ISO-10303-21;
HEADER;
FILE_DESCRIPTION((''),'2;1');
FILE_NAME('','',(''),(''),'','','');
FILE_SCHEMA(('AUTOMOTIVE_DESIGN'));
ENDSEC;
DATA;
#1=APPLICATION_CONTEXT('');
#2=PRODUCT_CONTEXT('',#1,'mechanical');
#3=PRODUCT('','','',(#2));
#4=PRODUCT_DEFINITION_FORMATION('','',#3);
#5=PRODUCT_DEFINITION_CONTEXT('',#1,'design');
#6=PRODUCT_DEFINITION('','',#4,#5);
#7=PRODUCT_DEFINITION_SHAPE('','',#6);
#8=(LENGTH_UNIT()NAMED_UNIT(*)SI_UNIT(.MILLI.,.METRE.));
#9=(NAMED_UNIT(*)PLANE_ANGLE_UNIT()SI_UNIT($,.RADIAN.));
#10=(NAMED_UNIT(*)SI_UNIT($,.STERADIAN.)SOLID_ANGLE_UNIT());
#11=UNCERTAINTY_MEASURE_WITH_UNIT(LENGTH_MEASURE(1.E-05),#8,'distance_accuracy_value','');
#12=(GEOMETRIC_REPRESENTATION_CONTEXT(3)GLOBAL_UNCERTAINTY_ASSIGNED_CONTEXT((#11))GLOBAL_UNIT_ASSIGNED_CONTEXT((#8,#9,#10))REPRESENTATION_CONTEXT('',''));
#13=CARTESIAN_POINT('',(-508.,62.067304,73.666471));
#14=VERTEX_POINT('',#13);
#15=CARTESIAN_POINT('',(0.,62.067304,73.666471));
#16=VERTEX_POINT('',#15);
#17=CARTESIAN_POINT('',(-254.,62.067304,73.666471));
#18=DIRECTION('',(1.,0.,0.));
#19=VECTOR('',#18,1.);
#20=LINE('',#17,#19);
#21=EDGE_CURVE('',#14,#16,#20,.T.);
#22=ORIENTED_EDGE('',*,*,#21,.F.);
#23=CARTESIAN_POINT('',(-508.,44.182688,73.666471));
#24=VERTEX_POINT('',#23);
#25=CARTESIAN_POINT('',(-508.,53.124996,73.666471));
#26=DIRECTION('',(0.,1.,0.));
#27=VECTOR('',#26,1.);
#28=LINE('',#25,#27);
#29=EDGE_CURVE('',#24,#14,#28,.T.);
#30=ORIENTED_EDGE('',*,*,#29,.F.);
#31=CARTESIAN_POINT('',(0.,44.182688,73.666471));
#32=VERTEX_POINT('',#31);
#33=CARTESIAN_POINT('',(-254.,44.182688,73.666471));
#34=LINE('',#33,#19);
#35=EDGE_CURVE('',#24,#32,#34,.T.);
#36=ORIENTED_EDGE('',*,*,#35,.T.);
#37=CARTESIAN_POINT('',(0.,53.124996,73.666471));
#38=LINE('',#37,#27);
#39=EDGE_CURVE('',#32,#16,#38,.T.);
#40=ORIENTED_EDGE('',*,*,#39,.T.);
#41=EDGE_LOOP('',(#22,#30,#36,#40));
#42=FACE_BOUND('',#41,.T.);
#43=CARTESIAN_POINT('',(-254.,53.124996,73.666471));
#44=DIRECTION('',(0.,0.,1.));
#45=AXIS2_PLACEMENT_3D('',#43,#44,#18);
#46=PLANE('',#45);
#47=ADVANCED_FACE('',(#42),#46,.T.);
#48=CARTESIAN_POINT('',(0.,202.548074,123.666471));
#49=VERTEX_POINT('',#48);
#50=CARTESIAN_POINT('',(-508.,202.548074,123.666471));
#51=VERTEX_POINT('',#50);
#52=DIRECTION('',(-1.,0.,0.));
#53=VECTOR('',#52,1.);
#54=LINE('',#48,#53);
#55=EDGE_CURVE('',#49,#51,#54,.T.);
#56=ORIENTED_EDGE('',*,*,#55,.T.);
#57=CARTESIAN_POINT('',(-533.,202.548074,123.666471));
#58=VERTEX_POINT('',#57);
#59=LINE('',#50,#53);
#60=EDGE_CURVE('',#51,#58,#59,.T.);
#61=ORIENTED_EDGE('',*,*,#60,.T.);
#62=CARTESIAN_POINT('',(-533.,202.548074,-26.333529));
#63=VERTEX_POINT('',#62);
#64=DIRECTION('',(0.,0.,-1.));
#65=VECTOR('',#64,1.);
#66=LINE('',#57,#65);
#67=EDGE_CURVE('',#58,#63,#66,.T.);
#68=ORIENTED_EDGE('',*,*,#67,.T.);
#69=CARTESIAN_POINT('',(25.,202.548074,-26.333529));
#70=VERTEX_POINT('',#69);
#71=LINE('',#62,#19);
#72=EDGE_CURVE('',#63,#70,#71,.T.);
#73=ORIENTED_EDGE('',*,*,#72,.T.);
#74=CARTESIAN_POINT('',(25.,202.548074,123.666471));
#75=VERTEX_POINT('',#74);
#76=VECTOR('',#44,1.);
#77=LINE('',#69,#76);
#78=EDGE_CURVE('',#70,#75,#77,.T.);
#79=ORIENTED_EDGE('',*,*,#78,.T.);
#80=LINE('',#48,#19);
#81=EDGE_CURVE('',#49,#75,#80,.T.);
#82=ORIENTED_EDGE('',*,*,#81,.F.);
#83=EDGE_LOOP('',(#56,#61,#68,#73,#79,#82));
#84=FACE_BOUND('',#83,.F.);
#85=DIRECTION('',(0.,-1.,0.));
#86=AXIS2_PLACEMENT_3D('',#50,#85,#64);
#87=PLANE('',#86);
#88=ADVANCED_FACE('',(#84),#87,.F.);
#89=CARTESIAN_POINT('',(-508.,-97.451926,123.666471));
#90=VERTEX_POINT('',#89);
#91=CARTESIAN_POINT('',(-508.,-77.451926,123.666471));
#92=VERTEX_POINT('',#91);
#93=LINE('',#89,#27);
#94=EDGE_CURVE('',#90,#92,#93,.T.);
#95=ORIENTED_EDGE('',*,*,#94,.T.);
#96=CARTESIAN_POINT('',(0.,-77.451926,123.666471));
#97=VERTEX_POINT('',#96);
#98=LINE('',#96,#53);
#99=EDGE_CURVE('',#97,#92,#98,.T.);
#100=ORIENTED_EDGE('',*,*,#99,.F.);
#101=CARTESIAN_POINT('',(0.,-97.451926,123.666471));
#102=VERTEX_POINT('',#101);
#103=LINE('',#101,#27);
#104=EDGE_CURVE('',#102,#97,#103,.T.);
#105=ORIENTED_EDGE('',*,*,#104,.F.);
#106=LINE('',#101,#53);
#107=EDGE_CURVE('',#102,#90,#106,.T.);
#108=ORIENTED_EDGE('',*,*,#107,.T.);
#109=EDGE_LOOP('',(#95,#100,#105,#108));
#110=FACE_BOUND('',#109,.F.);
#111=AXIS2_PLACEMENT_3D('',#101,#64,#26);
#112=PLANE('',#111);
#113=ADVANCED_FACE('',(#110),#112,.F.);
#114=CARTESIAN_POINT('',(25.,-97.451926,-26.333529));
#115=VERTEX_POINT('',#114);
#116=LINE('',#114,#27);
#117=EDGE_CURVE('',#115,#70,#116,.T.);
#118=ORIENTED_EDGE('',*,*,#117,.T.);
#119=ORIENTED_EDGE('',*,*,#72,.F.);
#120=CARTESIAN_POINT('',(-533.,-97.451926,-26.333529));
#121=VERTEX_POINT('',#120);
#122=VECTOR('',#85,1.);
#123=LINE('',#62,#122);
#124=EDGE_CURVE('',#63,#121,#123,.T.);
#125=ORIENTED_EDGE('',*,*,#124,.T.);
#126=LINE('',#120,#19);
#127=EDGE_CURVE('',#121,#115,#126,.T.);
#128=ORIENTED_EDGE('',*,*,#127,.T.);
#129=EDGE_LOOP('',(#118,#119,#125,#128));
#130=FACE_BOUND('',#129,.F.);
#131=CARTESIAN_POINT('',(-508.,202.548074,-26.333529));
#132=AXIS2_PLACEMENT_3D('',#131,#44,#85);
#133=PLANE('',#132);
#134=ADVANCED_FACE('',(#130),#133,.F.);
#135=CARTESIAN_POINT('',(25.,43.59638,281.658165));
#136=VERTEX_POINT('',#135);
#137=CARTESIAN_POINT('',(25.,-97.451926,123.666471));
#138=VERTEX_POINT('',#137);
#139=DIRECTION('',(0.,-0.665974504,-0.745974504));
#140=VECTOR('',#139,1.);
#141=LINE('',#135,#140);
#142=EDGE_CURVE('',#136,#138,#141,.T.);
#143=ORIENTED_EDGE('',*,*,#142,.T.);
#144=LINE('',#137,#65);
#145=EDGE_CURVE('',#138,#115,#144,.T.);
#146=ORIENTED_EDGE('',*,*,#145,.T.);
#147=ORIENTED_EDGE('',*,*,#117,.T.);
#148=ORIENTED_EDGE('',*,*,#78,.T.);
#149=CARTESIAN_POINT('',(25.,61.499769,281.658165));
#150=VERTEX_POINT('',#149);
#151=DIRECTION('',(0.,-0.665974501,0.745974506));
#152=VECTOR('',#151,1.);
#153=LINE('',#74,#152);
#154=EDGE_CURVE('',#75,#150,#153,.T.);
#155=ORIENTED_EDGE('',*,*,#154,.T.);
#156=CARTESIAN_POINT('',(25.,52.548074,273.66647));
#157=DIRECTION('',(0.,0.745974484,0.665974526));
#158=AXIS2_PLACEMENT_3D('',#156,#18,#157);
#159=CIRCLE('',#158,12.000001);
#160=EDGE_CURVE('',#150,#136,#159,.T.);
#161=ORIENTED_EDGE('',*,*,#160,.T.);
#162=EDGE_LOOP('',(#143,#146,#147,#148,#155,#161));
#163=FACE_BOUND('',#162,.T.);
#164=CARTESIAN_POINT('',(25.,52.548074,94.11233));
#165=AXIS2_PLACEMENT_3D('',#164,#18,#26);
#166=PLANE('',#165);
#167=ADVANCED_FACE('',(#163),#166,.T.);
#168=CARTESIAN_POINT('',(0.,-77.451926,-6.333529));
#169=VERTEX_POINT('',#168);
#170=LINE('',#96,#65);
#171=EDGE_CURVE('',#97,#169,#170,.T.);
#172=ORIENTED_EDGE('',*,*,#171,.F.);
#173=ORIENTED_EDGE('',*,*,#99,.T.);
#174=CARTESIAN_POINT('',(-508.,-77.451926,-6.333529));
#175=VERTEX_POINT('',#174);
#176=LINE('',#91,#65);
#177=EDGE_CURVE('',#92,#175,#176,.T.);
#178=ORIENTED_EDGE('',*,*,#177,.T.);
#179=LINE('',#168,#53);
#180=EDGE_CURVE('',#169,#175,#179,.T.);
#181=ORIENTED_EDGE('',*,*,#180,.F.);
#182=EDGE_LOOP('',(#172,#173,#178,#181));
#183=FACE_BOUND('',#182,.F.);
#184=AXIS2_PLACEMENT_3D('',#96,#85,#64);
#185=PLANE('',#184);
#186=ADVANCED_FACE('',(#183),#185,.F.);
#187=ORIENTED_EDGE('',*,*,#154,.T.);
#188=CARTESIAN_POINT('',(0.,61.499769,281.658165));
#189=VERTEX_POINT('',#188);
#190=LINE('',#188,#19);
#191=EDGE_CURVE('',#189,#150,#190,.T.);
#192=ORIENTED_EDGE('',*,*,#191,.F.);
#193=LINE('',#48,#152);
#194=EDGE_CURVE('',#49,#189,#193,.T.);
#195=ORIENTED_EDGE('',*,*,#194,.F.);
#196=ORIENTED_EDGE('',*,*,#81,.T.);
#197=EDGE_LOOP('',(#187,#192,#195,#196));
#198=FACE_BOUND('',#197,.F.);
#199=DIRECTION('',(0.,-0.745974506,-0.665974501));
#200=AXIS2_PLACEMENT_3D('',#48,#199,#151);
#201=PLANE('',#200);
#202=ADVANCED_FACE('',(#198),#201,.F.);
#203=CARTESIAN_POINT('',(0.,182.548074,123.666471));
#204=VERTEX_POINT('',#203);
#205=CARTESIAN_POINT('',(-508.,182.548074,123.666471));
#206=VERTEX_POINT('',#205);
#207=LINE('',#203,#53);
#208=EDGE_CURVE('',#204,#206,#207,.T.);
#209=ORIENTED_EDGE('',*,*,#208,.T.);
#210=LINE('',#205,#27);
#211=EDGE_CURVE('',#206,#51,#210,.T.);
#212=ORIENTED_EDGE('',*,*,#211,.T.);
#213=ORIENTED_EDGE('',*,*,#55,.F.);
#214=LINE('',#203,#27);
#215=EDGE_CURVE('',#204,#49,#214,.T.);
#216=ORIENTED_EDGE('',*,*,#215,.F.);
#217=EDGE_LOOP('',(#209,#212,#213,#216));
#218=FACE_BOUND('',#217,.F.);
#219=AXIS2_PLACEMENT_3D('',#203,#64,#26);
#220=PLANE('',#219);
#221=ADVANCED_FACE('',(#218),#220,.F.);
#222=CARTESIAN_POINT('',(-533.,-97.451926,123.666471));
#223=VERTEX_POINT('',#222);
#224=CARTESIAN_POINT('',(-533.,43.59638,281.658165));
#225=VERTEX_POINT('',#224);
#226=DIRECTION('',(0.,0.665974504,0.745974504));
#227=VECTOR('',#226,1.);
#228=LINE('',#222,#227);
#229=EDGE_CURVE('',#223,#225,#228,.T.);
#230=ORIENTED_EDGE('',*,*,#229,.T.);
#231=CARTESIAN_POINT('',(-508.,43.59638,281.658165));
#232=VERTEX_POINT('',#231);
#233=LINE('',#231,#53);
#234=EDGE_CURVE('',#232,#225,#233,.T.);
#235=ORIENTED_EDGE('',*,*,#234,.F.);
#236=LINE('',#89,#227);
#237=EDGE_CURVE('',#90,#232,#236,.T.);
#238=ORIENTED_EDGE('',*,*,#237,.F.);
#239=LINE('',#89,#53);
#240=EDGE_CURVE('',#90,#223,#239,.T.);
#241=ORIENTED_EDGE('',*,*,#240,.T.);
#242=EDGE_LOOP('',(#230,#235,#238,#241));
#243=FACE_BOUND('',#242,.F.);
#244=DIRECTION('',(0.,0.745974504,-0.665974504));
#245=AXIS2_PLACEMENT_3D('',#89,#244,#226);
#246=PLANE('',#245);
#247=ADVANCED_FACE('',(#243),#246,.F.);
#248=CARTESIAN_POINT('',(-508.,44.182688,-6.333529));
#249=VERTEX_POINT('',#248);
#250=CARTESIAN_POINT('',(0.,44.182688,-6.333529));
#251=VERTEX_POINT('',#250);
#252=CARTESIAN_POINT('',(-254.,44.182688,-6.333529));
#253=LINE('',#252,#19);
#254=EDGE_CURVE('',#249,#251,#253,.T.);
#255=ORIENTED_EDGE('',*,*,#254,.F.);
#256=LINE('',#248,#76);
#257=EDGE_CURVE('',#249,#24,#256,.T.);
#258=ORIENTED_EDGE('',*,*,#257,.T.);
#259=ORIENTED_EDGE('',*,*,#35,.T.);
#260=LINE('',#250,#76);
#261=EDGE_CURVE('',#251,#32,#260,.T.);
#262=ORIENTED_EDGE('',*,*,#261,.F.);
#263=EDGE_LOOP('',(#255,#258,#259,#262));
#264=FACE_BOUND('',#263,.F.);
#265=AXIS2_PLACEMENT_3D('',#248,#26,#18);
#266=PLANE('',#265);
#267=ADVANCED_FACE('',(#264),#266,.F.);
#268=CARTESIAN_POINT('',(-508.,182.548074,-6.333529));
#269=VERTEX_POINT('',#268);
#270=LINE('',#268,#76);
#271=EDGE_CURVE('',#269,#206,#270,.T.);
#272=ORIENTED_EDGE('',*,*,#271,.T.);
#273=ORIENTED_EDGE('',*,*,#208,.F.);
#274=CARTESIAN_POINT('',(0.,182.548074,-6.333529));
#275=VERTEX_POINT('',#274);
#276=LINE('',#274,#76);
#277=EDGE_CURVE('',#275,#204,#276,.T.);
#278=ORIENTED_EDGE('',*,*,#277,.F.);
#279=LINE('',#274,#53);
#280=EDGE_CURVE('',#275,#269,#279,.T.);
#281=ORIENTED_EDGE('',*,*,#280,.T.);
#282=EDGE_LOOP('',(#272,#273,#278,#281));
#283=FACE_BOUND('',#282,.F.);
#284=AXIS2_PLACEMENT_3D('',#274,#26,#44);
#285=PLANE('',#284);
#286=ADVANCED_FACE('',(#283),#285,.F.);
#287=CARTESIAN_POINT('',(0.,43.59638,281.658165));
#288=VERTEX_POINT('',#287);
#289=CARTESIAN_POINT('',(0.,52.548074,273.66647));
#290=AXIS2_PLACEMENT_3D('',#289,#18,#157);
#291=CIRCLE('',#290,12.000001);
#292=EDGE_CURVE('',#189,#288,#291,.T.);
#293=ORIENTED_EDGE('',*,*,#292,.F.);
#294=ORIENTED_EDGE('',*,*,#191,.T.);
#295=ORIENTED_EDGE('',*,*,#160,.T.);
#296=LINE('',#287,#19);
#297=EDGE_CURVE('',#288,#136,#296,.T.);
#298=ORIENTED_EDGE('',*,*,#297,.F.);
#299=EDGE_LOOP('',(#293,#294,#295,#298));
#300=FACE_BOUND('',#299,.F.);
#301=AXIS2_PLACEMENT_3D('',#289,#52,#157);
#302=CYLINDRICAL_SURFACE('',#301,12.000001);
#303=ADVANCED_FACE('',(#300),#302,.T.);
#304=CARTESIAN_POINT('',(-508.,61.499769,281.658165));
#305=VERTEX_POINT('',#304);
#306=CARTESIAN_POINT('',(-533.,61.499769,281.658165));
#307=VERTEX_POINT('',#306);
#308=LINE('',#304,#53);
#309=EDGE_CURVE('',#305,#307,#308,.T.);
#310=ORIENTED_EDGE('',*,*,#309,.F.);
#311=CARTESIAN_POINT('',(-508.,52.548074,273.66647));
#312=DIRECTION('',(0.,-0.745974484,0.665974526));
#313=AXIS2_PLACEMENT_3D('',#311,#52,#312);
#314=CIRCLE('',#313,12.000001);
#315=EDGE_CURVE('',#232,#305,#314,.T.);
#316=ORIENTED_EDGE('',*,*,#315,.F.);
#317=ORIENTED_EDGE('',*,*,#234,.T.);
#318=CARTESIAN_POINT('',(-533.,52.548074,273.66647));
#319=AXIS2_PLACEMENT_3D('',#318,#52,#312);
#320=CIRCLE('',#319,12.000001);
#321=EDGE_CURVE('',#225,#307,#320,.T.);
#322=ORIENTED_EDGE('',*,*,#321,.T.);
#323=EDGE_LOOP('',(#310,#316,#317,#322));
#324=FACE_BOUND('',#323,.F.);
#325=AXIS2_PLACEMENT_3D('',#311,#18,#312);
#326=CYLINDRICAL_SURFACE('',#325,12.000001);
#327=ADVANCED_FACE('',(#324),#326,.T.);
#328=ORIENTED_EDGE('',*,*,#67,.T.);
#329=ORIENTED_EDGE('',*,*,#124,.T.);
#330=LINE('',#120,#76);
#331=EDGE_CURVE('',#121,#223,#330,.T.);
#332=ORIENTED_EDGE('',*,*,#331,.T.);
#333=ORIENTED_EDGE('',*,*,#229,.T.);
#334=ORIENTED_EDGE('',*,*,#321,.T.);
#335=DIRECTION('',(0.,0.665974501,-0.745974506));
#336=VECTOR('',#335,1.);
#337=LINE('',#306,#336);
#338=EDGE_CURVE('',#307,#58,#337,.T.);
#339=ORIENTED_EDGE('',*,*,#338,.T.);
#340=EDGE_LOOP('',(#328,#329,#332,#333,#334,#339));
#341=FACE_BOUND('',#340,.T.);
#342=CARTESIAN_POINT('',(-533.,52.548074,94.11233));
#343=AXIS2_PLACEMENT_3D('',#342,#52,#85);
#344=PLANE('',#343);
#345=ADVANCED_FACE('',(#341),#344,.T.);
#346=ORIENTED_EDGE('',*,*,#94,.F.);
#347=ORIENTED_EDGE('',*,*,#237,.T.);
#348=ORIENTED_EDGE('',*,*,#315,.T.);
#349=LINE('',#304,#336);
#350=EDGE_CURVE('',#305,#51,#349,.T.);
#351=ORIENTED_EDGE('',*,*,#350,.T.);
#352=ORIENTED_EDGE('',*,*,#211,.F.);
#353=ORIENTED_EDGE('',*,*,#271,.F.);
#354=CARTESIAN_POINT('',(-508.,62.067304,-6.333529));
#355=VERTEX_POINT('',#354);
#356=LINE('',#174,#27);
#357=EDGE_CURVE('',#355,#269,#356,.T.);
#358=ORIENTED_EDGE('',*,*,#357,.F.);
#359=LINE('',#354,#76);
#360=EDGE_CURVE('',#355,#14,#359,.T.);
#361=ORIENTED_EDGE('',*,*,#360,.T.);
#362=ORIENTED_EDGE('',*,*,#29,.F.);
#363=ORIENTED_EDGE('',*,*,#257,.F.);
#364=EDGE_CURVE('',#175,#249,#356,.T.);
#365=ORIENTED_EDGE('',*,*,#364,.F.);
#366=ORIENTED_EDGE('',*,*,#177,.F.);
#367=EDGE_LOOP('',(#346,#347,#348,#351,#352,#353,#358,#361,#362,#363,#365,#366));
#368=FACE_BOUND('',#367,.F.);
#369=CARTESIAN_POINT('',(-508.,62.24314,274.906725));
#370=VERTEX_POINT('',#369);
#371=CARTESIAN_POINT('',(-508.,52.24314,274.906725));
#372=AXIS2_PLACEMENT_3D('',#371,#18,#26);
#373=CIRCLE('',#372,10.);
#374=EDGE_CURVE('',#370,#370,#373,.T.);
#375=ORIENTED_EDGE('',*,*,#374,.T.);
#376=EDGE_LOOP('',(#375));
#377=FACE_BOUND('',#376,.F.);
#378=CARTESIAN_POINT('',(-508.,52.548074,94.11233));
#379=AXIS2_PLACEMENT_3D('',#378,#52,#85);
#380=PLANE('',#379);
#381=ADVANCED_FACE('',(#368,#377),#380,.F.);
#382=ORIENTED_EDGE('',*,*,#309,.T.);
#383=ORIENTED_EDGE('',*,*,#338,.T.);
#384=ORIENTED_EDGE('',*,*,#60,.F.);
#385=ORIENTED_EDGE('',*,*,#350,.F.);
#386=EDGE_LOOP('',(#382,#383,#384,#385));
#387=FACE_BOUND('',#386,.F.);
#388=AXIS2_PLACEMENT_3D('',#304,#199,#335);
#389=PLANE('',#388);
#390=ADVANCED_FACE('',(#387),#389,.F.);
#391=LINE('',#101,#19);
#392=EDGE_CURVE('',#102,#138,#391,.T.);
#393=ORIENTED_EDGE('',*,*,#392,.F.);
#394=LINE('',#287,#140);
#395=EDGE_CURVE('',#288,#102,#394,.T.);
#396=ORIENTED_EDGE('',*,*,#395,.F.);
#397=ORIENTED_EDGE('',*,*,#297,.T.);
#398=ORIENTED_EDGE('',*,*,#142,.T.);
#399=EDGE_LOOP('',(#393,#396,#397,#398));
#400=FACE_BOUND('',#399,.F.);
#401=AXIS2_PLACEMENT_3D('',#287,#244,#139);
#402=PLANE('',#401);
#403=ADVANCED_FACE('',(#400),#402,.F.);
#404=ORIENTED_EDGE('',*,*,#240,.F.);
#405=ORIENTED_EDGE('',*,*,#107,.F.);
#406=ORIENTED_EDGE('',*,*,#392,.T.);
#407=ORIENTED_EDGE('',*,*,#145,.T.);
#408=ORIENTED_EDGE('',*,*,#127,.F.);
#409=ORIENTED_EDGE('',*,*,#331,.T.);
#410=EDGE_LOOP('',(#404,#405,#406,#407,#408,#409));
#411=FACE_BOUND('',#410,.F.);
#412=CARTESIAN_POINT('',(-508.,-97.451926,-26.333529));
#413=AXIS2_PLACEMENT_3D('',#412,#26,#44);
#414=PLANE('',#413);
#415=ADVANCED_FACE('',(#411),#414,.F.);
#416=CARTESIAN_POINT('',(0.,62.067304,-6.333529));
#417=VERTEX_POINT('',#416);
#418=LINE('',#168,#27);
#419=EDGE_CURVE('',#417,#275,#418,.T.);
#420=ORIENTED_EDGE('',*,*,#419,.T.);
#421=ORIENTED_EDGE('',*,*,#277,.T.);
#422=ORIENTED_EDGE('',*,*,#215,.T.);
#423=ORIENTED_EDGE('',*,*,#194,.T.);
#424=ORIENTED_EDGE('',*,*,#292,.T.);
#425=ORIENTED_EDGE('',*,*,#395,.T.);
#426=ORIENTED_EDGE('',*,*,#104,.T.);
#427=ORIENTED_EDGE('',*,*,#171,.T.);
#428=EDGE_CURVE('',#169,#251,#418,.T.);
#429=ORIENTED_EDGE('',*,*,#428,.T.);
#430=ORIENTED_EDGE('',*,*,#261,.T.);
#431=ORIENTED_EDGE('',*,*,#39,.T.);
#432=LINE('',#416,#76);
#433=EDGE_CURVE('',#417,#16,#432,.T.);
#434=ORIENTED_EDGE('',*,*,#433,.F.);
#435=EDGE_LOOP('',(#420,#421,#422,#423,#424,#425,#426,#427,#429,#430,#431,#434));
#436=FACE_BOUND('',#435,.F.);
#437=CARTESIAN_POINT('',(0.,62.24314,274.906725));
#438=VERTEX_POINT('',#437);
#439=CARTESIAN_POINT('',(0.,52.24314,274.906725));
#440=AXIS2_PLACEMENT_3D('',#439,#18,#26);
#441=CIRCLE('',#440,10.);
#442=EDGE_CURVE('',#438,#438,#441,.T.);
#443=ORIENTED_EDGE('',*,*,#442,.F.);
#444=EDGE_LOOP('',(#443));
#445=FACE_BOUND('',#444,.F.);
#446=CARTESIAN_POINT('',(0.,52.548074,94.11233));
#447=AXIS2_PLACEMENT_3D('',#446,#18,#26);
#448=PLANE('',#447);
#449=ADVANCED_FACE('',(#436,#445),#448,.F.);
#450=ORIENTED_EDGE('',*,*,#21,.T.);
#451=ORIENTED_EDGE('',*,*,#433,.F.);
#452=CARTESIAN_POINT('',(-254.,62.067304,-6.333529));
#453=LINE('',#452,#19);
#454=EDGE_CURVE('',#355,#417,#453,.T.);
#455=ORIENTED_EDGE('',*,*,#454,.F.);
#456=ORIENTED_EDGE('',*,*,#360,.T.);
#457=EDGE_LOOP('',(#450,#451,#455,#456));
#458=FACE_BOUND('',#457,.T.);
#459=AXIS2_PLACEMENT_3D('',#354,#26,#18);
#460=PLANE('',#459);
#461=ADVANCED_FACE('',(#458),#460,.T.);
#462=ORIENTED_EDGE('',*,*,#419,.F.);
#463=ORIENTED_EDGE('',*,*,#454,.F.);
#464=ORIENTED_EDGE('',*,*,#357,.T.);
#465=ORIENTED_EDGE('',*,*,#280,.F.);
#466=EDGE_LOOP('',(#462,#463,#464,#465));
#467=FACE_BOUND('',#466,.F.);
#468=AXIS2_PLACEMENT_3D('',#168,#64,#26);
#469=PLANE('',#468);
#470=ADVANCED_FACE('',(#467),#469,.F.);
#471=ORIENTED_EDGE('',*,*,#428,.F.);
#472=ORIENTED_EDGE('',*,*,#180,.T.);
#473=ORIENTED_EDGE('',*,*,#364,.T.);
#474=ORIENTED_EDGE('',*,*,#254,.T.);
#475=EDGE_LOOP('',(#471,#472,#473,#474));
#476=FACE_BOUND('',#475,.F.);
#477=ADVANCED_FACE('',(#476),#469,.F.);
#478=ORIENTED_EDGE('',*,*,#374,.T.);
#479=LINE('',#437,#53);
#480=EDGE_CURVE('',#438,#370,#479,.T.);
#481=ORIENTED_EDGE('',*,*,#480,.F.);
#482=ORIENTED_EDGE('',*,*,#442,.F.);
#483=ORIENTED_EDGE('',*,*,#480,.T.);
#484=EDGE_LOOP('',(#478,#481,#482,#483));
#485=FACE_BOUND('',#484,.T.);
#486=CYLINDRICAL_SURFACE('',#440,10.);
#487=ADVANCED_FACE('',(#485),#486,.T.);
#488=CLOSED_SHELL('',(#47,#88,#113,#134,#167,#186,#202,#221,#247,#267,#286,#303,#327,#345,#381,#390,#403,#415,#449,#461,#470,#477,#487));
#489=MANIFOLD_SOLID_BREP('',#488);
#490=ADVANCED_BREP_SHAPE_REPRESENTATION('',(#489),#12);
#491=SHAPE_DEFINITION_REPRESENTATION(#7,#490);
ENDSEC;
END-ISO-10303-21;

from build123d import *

# Parameters (mm, degrees)
F1_DEPTH = 25
F3_DEPTH = 508
F5_DEPTH = 25
F6_R     = 10
F7_DEPTH = 508
F8_W     = 508
F8_H     = 17.884616
F9_DEPTH = 80


with BuildPart() as f1:
    # F0 (on Right) → F1 (new body)
    with BuildSketch(Plane.YZ):
        with BuildLine():
            Line((-97.451926, 123.666471), (-97.451926, -26.333529))
            Line((-97.451926, -26.333529), (202.548074, -26.333529))
            Line((202.548074, -26.333529), (202.548074, 123.666471))
            Line((202.548074, 123.666471), (61.499769, 281.658165))
            ThreePointArc((61.499769, 281.658165), (52.548074, 285.666471), (43.59638, 281.658165))
            Line((43.59638, 281.658165), (-97.451926, 123.666471))
        make_face()
    extrude(amount=F1_DEPTH)

    # F2 (on face) → F3 (join)
    with BuildSketch(Plane(origin=(0, 0, 0), x_dir=(0, -1, 0), z_dir=(-1, 0, 0))):
        Polygon((-182.548074, 123.666471), (-202.548074, 123.666471), (-202.548074, -26.333529), (97.451926, -26.333529), (97.451926, 123.666471), (77.451926, 123.666471), (77.451926, -6.333529), (-182.548074, -6.333529), align=None)
    extrude(amount=F3_DEPTH)

    # F4 (on face) → F5 (join)
    with BuildSketch(Plane(origin=(-508, 0, 0), x_dir=(0, -1, 0), z_dir=(-1, 0, 0))):
        with BuildLine():
            Line((97.451926, 123.666471), (-43.59638, 281.658165))
            ThreePointArc((-43.59638, 281.658165), (-52.548074, 285.666471), (-61.499769, 281.658165))
            Line((-61.499769, 281.658165), (-202.548074, 123.666471))
            Line((-202.548074, 123.666471), (-202.548074, -26.333529))
            Line((-202.548074, -26.333529), (97.451926, -26.333529))
            Line((97.451926, -26.333529), (97.451926, 123.666471))
        make_face()
    extrude(amount=F5_DEPTH)

    # F6 (on face) → F7 (join)
    with BuildSketch(Plane.YZ):
        with Locations((52.24314, 274.906725)):
            Circle(F6_R)
    extrude(amount=-F7_DEPTH)

    # F8 (on face) → F9 (join)
    with BuildSketch(Plane.XY.offset(-6.333529)):
        with Locations((-254, 53.124996)):
            Rectangle(F8_W, F8_H)
    extrude(amount=F9_DEPTH)


solid = f1.part
